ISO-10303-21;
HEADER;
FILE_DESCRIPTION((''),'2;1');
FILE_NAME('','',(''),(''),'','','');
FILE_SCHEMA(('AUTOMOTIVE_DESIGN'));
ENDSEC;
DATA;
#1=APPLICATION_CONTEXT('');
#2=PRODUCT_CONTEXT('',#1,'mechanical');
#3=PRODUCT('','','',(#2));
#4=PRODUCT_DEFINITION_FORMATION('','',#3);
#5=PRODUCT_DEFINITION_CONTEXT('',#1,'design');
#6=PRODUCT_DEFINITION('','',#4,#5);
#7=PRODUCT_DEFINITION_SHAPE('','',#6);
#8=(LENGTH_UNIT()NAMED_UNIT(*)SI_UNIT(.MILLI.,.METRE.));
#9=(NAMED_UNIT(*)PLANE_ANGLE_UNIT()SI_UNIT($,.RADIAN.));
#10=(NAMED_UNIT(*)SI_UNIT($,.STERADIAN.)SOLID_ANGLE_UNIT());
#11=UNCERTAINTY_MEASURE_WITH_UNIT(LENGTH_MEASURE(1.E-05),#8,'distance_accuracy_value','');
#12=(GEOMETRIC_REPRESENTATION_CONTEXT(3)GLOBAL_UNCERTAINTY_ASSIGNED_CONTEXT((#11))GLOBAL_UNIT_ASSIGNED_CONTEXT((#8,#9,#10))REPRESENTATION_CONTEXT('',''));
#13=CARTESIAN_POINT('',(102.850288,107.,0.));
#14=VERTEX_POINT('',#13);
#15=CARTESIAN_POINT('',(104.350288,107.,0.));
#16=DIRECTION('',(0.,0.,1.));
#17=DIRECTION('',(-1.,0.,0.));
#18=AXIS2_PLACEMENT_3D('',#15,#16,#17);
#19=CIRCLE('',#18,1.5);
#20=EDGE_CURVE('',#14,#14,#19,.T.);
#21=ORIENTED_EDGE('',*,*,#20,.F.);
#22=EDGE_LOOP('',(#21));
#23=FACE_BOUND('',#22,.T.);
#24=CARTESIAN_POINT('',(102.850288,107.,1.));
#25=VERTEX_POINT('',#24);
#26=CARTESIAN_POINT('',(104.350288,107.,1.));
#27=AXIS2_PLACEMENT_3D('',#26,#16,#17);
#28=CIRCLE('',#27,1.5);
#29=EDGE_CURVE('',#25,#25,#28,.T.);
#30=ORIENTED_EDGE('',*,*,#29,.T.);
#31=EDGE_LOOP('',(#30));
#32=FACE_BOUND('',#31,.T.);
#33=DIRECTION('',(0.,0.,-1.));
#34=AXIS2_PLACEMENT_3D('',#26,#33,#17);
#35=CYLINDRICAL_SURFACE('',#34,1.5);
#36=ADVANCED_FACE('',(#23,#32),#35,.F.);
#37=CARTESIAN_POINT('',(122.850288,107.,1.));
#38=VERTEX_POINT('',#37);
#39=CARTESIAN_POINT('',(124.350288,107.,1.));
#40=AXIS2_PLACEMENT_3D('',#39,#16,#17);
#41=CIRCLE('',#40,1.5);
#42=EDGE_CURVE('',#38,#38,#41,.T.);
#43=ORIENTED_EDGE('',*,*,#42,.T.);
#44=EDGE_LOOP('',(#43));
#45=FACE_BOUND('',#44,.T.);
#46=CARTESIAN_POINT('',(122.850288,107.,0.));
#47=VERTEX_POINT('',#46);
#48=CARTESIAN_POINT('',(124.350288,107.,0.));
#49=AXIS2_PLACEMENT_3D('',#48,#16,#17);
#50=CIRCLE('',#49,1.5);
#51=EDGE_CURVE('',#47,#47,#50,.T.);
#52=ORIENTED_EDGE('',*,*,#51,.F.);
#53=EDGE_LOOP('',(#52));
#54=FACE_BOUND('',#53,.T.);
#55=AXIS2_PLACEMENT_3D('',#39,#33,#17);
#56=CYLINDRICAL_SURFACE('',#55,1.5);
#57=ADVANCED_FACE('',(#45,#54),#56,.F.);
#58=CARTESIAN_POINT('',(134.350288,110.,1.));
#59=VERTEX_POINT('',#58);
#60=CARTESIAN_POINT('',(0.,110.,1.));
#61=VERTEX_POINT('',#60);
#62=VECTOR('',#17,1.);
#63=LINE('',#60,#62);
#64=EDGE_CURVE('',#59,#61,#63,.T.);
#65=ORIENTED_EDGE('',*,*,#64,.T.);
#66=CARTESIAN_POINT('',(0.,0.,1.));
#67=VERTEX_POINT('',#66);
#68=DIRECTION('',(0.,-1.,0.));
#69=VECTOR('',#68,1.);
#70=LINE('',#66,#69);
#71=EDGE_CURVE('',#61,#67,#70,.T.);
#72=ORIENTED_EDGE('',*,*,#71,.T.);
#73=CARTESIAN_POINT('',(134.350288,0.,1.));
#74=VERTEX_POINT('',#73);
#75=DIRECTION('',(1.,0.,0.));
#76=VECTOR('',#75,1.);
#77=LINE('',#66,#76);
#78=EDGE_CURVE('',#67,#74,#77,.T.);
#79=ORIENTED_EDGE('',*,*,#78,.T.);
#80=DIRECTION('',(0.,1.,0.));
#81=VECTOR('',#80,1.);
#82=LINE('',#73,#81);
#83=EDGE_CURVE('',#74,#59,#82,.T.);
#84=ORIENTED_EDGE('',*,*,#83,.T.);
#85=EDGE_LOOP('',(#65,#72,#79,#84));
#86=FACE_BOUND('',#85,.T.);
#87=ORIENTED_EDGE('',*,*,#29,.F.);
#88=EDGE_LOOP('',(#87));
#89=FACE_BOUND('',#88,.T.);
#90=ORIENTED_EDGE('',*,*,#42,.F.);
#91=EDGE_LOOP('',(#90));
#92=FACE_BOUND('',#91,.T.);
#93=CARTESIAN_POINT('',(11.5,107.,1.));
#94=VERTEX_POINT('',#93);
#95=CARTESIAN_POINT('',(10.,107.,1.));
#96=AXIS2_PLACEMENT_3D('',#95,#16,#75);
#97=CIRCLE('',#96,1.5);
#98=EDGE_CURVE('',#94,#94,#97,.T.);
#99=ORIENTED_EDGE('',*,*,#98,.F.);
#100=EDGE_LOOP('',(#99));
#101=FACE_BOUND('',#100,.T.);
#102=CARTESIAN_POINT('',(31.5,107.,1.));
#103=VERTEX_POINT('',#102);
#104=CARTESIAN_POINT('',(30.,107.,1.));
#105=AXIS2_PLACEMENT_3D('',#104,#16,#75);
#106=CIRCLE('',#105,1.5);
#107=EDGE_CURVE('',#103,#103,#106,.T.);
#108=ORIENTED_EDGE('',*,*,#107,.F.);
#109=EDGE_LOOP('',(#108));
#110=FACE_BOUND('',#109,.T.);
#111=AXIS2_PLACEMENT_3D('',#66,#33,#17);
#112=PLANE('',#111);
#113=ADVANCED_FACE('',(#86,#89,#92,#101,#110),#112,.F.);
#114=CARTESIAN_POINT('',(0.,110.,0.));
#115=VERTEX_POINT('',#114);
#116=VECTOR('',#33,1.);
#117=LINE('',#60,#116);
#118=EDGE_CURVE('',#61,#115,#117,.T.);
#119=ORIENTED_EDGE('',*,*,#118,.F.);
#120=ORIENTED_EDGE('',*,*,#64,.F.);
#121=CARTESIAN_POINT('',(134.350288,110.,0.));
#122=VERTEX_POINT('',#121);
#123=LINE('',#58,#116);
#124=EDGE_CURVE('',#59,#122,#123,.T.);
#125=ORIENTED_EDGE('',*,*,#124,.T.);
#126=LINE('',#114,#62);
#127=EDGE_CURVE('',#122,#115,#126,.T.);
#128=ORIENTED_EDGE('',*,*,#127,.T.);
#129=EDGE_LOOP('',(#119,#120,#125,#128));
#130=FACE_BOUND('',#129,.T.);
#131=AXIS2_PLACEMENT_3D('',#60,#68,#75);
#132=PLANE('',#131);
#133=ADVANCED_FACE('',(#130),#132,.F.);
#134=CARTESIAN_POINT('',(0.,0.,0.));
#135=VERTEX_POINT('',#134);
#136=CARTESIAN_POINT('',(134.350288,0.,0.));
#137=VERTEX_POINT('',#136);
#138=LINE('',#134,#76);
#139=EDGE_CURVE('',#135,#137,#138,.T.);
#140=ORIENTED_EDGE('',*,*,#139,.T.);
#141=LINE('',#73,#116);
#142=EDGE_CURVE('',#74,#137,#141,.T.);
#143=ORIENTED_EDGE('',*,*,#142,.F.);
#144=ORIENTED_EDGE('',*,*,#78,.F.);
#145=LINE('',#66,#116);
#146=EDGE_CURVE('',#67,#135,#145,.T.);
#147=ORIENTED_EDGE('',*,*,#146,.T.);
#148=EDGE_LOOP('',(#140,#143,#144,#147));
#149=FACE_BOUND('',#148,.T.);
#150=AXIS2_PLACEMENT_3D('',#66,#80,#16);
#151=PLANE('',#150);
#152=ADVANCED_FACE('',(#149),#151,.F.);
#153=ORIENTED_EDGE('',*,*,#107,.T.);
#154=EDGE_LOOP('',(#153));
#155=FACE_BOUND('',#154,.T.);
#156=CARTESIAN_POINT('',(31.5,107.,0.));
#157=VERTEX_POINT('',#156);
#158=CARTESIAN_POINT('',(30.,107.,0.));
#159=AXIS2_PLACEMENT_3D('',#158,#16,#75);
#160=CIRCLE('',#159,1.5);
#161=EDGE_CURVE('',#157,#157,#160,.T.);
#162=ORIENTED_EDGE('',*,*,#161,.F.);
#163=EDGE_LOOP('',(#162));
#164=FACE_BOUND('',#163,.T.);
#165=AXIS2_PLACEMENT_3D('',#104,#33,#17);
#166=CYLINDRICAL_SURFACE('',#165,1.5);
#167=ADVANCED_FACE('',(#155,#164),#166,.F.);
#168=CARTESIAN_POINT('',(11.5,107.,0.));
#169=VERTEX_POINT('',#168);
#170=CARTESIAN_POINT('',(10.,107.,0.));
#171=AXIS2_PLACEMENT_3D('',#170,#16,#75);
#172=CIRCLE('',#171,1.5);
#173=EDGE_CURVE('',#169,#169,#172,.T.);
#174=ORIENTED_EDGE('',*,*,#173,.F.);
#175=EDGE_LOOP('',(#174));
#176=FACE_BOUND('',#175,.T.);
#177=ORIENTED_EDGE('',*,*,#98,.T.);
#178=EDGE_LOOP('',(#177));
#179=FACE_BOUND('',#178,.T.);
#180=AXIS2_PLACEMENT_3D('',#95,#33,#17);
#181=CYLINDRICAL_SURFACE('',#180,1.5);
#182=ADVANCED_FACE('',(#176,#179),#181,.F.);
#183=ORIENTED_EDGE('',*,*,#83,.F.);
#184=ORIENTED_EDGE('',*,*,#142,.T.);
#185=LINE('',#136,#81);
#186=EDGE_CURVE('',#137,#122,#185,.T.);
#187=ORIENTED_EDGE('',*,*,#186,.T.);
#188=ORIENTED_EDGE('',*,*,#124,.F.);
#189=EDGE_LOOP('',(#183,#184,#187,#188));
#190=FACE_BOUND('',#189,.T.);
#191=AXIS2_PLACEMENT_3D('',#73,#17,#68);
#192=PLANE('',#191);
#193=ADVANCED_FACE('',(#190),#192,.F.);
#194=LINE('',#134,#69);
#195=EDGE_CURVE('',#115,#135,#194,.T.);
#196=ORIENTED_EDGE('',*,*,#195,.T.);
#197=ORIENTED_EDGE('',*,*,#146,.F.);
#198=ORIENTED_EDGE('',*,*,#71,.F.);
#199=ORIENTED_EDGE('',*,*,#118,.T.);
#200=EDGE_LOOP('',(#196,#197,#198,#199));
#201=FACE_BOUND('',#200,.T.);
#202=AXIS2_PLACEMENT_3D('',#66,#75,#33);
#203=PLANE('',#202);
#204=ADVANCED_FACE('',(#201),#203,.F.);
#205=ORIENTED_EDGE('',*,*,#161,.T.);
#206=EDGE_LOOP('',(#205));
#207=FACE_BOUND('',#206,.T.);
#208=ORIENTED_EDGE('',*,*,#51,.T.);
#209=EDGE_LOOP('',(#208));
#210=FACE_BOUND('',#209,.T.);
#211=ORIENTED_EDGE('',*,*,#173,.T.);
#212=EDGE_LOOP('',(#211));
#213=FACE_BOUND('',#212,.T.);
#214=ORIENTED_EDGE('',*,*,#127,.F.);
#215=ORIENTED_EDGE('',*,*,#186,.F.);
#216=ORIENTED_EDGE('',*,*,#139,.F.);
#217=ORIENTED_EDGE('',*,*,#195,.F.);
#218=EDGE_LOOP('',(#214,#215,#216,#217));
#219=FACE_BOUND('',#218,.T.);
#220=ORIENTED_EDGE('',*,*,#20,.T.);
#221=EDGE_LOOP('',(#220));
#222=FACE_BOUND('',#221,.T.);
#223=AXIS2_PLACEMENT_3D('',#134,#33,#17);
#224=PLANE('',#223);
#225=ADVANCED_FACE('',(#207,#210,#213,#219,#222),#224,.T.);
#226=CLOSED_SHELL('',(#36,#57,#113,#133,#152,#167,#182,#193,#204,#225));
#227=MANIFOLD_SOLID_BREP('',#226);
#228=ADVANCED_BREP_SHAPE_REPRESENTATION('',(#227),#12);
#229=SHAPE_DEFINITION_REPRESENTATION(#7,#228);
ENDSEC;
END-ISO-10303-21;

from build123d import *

# Parameters (mm, degrees)
SKETCH_1_W      = 134.350288425
SKETCH_1_H      = 110
SKETCH_1_R      = 1.5
EXTRUDE_1_DEPTH = 1


with BuildPart() as part:
    # 草图1 → 凸台-拉伸1 (new body)
    with BuildSketch(Plane.XY):
        with Locations((67.175144213, 55)):
            Rectangle(SKETCH_1_W, SKETCH_1_H)
        with Locations((10, 107)):
            Circle(SKETCH_1_R, mode=Mode.SUBTRACT)
        with Locations((30, 107)):
            Circle(SKETCH_1_R, mode=Mode.SUBTRACT)
        with Locations(Location((104.350288425, 107, 0), (0, 0, 180))):
            Circle(SKETCH_1_R, mode=Mode.SUBTRACT)
        with Locations(Location((124.350288425, 107, 0), (0, 0, 180))):
            Circle(SKETCH_1_R, mode=Mode.SUBTRACT)
    extrude(amount=EXTRUDE_1_DEPTH)


solid = part.part
